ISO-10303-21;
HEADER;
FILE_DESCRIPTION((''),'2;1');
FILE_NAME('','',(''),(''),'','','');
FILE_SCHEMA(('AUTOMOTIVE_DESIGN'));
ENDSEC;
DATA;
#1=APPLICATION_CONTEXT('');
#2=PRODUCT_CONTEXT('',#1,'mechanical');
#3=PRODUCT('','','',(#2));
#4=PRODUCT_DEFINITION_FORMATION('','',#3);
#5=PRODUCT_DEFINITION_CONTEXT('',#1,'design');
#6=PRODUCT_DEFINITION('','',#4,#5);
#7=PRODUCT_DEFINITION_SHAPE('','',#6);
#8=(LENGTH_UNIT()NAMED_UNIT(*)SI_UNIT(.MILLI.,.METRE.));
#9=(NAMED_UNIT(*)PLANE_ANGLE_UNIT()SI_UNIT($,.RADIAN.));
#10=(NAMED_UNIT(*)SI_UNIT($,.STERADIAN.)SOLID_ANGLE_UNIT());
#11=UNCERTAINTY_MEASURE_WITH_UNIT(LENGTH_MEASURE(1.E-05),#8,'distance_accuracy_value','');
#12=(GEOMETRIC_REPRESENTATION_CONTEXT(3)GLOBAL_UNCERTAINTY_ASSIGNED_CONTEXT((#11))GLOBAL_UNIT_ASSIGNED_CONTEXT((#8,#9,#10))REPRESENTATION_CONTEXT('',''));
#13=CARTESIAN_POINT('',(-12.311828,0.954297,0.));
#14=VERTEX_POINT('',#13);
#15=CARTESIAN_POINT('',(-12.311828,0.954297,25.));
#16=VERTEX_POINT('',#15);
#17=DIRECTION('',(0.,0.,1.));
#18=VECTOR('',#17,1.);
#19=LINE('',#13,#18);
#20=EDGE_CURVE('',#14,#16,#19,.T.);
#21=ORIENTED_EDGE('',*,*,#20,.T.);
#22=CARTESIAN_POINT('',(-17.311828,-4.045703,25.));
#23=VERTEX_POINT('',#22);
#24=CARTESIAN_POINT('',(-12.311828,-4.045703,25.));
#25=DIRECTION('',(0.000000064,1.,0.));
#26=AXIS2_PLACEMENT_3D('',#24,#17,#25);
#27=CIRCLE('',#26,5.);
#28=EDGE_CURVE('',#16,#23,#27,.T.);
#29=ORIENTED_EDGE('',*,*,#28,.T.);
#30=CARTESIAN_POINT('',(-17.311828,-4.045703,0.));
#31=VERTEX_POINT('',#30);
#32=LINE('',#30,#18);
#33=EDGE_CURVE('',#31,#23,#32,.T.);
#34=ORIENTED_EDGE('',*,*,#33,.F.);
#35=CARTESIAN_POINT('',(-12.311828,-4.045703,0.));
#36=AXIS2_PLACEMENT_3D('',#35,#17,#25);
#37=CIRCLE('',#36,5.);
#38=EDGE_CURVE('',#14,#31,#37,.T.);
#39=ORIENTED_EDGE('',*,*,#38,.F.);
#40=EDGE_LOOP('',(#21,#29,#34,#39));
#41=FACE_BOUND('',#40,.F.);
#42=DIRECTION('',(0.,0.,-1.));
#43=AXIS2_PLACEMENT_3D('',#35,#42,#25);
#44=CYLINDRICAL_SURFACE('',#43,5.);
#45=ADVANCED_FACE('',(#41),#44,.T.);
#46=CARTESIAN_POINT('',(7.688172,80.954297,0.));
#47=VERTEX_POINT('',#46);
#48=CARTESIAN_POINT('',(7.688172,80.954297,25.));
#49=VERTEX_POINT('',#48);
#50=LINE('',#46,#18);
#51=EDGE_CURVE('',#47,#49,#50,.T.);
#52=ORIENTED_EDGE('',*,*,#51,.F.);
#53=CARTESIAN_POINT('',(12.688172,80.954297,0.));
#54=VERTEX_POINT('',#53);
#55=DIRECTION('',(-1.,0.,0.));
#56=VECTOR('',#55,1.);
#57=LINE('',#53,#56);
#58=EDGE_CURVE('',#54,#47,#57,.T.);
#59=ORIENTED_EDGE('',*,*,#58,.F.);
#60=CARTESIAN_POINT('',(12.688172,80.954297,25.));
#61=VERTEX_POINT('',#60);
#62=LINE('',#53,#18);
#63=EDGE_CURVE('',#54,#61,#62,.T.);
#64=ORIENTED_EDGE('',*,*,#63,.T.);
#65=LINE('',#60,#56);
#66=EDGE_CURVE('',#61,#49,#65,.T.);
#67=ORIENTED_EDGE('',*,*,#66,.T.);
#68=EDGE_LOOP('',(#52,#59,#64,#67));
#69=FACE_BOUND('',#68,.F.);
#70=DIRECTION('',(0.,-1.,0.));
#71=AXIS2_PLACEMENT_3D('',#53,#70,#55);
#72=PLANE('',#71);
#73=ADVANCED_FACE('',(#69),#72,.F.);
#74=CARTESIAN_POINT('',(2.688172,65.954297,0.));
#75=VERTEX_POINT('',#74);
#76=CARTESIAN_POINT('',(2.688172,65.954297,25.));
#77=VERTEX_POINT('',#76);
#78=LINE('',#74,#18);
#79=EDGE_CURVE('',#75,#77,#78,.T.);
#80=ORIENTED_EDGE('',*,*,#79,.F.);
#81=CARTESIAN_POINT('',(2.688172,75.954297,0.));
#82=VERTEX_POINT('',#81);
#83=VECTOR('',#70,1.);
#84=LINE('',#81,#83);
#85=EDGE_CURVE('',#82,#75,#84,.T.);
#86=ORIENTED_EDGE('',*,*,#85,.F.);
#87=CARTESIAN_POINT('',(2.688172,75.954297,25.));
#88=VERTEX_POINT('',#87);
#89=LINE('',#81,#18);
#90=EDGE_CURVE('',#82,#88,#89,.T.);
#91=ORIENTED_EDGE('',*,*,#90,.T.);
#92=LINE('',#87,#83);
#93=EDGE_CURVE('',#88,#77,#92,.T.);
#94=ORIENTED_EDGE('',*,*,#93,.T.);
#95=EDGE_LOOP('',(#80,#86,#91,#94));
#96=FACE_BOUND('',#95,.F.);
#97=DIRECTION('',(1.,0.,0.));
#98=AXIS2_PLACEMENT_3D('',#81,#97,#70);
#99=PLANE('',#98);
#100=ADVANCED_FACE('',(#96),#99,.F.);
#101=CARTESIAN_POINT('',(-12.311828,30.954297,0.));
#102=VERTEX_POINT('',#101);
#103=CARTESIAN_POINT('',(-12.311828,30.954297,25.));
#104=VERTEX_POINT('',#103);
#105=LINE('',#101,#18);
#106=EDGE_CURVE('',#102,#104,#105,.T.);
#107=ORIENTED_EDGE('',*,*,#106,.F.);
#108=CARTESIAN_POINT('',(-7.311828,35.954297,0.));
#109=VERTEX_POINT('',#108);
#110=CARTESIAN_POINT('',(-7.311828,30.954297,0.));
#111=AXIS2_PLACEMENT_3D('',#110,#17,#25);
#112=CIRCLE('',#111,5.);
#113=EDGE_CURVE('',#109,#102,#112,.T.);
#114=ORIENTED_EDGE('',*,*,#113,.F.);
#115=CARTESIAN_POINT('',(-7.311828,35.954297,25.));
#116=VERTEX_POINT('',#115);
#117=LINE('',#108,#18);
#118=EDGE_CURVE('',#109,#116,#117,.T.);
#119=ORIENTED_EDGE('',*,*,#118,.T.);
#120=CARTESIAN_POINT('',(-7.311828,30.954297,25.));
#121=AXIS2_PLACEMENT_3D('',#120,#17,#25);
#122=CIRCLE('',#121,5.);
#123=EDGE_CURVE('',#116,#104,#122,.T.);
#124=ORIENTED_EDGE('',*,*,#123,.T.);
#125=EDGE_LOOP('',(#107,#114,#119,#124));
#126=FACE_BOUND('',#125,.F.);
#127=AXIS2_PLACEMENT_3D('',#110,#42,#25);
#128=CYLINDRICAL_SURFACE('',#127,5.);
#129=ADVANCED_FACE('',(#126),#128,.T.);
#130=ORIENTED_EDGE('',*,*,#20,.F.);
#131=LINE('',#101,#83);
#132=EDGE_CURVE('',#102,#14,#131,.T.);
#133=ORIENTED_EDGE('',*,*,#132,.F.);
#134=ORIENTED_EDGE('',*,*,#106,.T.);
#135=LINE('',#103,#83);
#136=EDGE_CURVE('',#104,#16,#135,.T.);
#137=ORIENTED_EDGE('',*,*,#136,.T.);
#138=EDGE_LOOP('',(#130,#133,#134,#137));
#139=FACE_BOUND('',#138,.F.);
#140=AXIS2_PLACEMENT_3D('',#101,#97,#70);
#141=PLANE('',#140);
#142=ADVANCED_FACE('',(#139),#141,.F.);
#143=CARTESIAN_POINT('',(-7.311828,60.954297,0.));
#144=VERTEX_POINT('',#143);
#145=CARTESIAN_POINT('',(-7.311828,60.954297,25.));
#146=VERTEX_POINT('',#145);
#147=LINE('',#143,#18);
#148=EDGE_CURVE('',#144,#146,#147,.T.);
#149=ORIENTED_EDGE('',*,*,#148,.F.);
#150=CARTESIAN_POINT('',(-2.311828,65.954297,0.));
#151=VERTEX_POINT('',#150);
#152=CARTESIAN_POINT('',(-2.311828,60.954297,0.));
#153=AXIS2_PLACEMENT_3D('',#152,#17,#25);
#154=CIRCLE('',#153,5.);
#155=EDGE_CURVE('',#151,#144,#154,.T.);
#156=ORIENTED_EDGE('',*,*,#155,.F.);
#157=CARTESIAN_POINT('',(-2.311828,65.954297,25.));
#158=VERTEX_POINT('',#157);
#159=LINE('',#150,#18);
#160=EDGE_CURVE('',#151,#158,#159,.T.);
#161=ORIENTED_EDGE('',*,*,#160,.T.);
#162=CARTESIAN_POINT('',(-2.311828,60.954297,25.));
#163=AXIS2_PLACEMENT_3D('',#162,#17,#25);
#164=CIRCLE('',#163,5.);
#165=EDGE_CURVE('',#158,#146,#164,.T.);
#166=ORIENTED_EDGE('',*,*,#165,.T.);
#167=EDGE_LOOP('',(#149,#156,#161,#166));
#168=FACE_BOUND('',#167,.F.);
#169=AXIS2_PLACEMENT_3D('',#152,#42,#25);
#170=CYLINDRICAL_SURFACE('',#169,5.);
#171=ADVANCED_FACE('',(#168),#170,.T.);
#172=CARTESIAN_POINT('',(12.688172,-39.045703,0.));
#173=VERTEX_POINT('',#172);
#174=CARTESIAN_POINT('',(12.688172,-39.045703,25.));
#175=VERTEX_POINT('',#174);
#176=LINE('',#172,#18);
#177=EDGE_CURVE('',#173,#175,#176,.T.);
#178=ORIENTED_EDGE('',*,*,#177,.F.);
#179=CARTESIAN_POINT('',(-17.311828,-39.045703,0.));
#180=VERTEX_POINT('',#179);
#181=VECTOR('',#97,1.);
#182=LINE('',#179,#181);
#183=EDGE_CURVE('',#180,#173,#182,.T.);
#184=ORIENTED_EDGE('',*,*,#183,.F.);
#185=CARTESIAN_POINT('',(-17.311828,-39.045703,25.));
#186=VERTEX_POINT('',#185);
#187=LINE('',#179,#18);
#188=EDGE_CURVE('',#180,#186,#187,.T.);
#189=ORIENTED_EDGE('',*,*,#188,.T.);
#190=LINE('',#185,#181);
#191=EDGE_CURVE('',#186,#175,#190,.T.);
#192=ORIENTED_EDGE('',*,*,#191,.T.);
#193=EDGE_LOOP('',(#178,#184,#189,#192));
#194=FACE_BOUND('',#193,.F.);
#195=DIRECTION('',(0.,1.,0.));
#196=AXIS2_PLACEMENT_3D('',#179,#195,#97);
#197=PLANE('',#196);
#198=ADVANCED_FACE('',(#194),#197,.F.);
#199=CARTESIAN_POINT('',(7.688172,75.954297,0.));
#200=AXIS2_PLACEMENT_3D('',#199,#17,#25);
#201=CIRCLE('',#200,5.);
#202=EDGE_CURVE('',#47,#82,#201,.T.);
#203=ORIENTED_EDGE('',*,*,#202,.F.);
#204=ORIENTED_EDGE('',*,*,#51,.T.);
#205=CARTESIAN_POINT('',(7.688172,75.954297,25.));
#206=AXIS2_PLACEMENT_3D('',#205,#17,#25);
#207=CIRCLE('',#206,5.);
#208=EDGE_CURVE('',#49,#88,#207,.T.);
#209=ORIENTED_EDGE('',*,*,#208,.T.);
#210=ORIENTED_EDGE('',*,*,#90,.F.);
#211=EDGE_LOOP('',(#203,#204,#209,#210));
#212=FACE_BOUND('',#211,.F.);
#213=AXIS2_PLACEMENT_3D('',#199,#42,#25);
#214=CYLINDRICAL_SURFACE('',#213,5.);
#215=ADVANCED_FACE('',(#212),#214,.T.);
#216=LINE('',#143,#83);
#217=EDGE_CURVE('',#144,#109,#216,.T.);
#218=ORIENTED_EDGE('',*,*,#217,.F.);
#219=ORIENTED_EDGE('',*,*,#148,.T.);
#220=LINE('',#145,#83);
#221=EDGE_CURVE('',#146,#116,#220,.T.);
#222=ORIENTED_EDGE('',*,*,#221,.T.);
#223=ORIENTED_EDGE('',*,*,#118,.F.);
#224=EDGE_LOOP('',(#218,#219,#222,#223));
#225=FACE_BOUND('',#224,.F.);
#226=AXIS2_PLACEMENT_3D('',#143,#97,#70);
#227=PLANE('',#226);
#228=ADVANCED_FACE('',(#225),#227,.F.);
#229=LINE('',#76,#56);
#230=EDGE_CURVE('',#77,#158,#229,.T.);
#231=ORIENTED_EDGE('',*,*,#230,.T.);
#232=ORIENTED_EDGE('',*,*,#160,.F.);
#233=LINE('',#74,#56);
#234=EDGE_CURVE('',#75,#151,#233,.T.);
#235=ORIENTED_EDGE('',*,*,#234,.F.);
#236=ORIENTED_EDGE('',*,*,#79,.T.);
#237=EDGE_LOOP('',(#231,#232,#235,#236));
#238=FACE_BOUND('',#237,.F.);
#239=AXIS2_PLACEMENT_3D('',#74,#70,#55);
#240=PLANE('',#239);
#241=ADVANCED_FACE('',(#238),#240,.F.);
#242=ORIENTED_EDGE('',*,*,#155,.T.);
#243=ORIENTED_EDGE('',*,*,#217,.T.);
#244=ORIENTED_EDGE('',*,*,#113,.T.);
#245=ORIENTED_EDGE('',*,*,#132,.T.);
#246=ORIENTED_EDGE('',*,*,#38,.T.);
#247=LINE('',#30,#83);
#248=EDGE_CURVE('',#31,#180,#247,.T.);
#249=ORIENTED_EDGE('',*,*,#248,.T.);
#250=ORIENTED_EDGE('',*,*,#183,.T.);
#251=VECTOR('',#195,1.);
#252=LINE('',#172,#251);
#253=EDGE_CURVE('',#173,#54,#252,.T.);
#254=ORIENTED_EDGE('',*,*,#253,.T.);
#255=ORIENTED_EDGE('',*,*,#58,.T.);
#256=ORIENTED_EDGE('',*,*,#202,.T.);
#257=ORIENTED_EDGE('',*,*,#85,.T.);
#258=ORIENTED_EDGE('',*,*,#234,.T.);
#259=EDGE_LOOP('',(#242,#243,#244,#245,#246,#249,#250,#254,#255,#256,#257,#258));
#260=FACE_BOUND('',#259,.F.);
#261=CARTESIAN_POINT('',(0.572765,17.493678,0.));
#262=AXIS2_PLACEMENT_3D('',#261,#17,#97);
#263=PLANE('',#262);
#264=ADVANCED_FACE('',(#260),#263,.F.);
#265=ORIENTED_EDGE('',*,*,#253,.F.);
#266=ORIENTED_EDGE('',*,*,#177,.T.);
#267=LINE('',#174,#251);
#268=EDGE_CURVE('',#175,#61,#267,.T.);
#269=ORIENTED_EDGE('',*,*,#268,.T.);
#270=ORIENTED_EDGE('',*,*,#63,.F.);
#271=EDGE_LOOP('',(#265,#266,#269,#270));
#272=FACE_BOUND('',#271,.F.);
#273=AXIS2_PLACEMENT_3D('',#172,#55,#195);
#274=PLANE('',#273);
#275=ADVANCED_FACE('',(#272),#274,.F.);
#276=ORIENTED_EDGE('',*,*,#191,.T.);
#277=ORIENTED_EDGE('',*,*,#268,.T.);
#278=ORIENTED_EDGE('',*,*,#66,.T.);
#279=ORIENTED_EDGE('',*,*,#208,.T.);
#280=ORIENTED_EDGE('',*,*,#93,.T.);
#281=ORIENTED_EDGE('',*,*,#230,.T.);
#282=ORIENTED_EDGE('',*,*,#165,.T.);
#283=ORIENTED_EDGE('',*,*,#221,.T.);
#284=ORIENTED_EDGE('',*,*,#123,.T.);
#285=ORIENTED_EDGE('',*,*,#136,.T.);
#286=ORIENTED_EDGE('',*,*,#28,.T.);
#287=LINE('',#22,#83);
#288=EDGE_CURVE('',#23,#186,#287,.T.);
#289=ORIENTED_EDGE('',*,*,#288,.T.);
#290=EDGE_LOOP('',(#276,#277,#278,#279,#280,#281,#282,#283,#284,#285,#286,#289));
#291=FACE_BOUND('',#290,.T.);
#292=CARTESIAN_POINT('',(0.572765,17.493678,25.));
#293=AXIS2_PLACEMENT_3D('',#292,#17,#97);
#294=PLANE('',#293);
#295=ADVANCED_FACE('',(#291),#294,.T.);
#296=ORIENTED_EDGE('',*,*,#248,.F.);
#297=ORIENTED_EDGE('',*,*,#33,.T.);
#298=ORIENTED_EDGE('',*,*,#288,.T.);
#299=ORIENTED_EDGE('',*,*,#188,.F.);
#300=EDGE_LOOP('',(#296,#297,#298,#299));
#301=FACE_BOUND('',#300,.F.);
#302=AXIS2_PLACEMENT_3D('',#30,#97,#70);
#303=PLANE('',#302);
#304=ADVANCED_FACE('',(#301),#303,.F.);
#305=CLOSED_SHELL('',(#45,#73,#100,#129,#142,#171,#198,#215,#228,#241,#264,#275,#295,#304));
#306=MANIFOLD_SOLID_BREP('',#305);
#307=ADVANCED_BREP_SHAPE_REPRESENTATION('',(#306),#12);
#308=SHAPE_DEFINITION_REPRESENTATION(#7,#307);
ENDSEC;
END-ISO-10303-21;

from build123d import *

# Parameters (mm, degrees)
F1_DEPTH = 25


with BuildPart() as f1:
    # F0 (on Top) → F1 (new body)
    with BuildSketch(Plane.XY):
        with BuildLine():
            Line((-17.311828, -39.045703), (12.688172, -39.045703))
            Line((12.688172, -39.045703), (12.688172, 80.954297))
            Line((12.688172, 80.954297), (7.688172, 80.954297))
            ThreePointArc((7.688172, 80.954297), (4.152638, 79.489831), (2.688172, 75.954297))
            Line((2.688172, 75.954297), (2.688172, 65.954297))
            Line((2.688172, 65.954297), (-2.311828, 65.954297))
            ThreePointArc((-2.311828, 65.954297), (-5.847362, 64.489831), (-7.311828, 60.954297))
            Line((-7.311828, 60.954297), (-7.311828, 35.954297))
            ThreePointArc((-7.311828, 35.954297), (-10.847362, 34.489831), (-12.311828, 30.954297))
            Line((-12.311828, 30.954297), (-12.311828, 0.954297))
            ThreePointArc((-12.311828, 0.954297), (-15.847362, -0.510169), (-17.311828, -4.045703))
            Line((-17.311828, -4.045703), (-17.311828, -39.045703))
        make_face()
    extrude(amount=F1_DEPTH)


solid = f1.part
